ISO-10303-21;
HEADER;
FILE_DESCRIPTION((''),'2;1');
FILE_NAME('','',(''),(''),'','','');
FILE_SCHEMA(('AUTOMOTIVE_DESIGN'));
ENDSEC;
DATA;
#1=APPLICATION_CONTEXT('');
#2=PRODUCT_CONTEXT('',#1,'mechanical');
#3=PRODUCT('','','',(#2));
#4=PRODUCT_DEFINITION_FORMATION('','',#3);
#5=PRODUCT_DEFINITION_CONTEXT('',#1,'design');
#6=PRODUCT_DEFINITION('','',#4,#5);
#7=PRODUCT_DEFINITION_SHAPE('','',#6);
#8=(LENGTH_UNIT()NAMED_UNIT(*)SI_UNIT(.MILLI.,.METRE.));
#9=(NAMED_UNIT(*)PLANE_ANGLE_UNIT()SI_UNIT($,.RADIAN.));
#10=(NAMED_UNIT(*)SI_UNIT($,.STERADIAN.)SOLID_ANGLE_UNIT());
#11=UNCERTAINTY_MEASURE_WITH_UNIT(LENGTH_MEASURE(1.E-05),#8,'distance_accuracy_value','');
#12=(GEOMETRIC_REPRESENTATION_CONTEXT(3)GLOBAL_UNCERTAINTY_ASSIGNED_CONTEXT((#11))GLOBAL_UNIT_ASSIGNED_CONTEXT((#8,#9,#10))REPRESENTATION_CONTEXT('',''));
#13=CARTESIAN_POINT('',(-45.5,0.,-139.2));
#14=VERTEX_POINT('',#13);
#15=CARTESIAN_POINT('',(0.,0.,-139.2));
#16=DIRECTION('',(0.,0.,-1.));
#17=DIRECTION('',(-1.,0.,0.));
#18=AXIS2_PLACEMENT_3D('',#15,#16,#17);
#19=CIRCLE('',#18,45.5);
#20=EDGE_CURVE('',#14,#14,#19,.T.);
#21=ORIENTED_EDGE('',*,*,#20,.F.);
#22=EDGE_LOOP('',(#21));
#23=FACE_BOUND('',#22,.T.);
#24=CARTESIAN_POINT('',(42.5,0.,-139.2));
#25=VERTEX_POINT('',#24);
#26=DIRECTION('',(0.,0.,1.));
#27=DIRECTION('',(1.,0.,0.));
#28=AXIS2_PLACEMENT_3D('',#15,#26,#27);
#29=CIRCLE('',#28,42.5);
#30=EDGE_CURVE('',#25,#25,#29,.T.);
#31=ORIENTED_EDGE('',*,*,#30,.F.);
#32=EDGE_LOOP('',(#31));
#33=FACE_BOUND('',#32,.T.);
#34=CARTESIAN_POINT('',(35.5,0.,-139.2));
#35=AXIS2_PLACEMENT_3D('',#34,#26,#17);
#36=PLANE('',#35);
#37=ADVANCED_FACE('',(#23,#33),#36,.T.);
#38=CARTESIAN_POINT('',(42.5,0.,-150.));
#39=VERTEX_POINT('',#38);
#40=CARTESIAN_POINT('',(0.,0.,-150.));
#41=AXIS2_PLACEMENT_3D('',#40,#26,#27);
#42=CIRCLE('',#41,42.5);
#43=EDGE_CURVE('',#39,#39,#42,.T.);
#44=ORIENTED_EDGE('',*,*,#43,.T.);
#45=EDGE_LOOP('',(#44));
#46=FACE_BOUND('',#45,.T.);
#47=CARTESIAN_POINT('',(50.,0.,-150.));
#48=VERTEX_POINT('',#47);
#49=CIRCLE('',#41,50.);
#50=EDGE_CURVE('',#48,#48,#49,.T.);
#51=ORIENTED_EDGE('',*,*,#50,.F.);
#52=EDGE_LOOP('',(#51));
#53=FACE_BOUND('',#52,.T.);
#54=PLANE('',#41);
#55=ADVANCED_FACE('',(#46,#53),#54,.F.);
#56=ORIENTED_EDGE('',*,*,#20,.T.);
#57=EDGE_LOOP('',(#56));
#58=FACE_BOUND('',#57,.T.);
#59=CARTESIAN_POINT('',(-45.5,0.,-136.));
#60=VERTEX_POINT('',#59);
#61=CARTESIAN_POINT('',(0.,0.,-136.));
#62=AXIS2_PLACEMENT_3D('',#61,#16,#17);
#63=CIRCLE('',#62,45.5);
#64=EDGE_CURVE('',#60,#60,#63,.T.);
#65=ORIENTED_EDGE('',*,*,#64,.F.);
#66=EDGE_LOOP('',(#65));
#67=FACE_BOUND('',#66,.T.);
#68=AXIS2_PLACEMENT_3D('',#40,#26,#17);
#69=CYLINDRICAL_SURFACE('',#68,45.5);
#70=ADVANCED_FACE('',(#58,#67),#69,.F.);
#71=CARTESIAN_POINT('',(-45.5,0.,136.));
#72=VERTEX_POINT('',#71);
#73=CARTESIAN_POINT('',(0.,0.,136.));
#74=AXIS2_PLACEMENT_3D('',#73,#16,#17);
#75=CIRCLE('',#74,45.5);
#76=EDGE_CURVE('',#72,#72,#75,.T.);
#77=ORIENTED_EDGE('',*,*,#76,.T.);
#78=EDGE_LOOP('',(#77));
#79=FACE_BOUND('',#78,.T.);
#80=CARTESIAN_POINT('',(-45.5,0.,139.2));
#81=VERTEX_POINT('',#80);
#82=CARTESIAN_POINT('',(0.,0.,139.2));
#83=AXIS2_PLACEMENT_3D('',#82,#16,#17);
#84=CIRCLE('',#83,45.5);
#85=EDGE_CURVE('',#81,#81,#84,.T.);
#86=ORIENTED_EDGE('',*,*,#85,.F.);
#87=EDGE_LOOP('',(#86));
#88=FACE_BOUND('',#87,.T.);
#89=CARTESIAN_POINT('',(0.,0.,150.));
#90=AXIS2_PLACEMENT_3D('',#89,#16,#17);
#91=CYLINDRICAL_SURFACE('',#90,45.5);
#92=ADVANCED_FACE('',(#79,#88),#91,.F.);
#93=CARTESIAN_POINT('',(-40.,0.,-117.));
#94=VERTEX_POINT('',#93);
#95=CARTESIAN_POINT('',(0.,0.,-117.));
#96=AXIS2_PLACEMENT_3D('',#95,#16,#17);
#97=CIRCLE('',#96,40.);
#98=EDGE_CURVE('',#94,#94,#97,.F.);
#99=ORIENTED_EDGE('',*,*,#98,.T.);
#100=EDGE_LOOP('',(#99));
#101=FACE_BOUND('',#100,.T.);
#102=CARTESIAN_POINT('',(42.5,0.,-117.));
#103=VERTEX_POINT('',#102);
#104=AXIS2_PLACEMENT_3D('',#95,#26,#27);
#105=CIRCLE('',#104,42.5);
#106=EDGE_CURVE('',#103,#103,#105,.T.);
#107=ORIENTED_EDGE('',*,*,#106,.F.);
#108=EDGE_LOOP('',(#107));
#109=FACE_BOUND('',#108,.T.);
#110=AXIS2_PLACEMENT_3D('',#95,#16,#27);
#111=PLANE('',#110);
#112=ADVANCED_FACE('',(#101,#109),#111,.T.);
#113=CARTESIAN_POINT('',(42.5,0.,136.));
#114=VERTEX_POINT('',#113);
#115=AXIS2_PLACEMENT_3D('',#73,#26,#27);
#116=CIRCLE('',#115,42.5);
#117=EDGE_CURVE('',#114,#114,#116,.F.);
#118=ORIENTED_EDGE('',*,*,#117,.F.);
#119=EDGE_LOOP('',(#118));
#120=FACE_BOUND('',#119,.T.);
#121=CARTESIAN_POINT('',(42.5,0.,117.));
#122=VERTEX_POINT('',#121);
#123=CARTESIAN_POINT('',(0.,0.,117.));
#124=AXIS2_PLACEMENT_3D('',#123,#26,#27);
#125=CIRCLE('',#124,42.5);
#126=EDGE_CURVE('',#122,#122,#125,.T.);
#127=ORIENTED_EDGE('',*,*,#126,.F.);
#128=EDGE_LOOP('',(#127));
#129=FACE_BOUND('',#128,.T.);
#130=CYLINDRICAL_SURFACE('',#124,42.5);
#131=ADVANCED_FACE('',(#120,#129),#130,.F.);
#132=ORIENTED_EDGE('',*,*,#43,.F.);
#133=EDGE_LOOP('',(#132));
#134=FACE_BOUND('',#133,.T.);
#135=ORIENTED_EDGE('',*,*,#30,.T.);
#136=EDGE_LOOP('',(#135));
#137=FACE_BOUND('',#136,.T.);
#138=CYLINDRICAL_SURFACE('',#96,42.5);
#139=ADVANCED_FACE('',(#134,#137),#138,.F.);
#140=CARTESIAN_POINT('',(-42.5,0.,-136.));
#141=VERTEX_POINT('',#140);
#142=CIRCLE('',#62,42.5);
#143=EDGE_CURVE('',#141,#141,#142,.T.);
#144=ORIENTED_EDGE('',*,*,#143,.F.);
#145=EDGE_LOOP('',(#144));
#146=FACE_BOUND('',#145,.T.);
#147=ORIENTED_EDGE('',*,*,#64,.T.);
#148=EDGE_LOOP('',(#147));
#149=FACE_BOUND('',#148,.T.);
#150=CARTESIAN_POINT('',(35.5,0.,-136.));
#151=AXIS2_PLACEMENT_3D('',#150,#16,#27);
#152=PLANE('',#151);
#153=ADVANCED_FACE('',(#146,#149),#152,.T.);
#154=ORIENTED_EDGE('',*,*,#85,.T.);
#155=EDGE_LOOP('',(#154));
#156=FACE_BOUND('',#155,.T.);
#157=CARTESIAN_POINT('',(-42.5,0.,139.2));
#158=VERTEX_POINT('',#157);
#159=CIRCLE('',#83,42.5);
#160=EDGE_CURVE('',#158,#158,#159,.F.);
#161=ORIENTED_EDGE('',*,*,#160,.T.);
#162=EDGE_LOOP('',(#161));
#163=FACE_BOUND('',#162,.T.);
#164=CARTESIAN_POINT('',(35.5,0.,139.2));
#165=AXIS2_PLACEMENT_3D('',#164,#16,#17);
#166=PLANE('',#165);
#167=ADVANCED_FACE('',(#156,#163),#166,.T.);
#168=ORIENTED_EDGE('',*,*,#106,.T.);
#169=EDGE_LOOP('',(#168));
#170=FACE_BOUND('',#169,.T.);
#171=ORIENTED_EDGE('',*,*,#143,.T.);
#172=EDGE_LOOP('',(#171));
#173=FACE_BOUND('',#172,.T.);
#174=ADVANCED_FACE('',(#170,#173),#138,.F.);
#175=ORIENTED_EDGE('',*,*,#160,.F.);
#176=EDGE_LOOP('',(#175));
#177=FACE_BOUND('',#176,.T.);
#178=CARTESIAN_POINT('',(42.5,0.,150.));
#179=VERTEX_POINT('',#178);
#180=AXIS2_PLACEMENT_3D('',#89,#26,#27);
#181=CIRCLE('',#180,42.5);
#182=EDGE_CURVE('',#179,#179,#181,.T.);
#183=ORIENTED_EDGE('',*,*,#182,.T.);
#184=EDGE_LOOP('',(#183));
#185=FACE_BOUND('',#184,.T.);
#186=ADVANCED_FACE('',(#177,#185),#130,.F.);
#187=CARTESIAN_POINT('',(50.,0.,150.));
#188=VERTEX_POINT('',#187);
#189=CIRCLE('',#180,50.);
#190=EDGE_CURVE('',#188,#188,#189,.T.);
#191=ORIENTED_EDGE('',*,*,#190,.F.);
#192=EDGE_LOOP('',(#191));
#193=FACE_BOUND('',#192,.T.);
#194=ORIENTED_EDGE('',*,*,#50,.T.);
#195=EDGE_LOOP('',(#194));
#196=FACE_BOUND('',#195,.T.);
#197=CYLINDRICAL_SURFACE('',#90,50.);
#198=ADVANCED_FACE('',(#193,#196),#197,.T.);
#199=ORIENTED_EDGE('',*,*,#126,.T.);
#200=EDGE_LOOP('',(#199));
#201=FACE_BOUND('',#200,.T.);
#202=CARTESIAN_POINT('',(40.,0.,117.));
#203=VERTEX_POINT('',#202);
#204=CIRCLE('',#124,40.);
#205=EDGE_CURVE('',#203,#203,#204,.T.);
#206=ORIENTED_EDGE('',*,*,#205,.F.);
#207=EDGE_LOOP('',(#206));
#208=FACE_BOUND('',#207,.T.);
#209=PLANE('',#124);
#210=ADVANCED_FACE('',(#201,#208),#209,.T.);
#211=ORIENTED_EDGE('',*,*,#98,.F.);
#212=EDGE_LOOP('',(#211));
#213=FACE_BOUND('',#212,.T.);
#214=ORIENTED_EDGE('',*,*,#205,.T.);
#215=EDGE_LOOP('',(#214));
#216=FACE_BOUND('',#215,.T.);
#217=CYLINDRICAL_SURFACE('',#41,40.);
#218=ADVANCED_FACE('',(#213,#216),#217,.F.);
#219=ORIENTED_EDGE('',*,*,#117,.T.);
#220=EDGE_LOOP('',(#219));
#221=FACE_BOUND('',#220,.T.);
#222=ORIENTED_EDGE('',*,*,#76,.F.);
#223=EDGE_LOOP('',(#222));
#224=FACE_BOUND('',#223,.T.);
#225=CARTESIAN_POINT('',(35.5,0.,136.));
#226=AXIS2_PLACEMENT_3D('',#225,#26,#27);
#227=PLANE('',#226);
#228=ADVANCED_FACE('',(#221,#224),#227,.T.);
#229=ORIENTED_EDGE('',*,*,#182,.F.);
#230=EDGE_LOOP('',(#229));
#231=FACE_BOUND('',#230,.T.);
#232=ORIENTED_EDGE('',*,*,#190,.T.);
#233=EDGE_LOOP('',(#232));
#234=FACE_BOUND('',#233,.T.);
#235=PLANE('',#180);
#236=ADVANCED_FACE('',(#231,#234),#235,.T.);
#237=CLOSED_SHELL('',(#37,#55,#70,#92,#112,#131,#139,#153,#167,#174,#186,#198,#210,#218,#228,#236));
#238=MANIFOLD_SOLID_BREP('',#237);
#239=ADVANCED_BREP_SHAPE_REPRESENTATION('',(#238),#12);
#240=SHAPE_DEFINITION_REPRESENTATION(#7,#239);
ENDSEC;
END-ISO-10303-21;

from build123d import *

# Parameters (mm, degrees)
SKETCH1_R           = 50
BOSS_EXTRUDE1_DEPTH = 150
SKETCH2_R           = 42.5
CUT_EXTRUDE1_DEPTH  = 33
SKETCH3_R           = 40
CUT_EXTRUDE2_DEPTH  = 277.204634284
SKETCH4_W           = 10
SKETCH4_H           = 3.2


with BuildPart() as part:
    # Sketch1 → Boss-Extrude1 (new, symmetric)
    with BuildSketch(Plane.XY):
        Circle(SKETCH1_R)
    extrude(amount=BOSS_EXTRUDE1_DEPTH, both=True)

    # Sketch2 → Cut-Extrude1 (cut)
    with BuildSketch(Plane.XY.offset(150)):
        Circle(SKETCH2_R)
    cut_extrude1 = extrude(amount=-CUT_EXTRUDE1_DEPTH, mode=Mode.SUBTRACT)

    # Sketch3 → Cut-Extrude2 (cut, through all)
    with BuildSketch(Plane.XY.offset(117)):
        Circle(SKETCH3_R)
    cut_extrude2 = extrude(amount=-CUT_EXTRUDE2_DEPTH, mode=Mode.SUBTRACT)

    # Sketch4 → Cut-Revolve1 (revolve, cut)
    with BuildSketch(Plane(origin=(0, 0, 0), x_dir=(1, 0, 0), z_dir=(0, 1, 0))):
        with Locations((40.5, -137.6)):
            Rectangle(SKETCH4_W, SKETCH4_H)
    cut_revolve1 = revolve(axis=Axis((0, 0, 150), (0, 0, 1)), mode=Mode.SUBTRACT)

    # Mirror1: Cut-Extrude1, Cut-Extrude2, Cut-Revolve1 across plane
    add(cut_extrude1.mirror(Plane.XY), mode=Mode.SUBTRACT)
    add(cut_extrude2.mirror(Plane.XY), mode=Mode.SUBTRACT)
    add(cut_revolve1.mirror(Plane.XY), mode=Mode.SUBTRACT)


solid = part.part
